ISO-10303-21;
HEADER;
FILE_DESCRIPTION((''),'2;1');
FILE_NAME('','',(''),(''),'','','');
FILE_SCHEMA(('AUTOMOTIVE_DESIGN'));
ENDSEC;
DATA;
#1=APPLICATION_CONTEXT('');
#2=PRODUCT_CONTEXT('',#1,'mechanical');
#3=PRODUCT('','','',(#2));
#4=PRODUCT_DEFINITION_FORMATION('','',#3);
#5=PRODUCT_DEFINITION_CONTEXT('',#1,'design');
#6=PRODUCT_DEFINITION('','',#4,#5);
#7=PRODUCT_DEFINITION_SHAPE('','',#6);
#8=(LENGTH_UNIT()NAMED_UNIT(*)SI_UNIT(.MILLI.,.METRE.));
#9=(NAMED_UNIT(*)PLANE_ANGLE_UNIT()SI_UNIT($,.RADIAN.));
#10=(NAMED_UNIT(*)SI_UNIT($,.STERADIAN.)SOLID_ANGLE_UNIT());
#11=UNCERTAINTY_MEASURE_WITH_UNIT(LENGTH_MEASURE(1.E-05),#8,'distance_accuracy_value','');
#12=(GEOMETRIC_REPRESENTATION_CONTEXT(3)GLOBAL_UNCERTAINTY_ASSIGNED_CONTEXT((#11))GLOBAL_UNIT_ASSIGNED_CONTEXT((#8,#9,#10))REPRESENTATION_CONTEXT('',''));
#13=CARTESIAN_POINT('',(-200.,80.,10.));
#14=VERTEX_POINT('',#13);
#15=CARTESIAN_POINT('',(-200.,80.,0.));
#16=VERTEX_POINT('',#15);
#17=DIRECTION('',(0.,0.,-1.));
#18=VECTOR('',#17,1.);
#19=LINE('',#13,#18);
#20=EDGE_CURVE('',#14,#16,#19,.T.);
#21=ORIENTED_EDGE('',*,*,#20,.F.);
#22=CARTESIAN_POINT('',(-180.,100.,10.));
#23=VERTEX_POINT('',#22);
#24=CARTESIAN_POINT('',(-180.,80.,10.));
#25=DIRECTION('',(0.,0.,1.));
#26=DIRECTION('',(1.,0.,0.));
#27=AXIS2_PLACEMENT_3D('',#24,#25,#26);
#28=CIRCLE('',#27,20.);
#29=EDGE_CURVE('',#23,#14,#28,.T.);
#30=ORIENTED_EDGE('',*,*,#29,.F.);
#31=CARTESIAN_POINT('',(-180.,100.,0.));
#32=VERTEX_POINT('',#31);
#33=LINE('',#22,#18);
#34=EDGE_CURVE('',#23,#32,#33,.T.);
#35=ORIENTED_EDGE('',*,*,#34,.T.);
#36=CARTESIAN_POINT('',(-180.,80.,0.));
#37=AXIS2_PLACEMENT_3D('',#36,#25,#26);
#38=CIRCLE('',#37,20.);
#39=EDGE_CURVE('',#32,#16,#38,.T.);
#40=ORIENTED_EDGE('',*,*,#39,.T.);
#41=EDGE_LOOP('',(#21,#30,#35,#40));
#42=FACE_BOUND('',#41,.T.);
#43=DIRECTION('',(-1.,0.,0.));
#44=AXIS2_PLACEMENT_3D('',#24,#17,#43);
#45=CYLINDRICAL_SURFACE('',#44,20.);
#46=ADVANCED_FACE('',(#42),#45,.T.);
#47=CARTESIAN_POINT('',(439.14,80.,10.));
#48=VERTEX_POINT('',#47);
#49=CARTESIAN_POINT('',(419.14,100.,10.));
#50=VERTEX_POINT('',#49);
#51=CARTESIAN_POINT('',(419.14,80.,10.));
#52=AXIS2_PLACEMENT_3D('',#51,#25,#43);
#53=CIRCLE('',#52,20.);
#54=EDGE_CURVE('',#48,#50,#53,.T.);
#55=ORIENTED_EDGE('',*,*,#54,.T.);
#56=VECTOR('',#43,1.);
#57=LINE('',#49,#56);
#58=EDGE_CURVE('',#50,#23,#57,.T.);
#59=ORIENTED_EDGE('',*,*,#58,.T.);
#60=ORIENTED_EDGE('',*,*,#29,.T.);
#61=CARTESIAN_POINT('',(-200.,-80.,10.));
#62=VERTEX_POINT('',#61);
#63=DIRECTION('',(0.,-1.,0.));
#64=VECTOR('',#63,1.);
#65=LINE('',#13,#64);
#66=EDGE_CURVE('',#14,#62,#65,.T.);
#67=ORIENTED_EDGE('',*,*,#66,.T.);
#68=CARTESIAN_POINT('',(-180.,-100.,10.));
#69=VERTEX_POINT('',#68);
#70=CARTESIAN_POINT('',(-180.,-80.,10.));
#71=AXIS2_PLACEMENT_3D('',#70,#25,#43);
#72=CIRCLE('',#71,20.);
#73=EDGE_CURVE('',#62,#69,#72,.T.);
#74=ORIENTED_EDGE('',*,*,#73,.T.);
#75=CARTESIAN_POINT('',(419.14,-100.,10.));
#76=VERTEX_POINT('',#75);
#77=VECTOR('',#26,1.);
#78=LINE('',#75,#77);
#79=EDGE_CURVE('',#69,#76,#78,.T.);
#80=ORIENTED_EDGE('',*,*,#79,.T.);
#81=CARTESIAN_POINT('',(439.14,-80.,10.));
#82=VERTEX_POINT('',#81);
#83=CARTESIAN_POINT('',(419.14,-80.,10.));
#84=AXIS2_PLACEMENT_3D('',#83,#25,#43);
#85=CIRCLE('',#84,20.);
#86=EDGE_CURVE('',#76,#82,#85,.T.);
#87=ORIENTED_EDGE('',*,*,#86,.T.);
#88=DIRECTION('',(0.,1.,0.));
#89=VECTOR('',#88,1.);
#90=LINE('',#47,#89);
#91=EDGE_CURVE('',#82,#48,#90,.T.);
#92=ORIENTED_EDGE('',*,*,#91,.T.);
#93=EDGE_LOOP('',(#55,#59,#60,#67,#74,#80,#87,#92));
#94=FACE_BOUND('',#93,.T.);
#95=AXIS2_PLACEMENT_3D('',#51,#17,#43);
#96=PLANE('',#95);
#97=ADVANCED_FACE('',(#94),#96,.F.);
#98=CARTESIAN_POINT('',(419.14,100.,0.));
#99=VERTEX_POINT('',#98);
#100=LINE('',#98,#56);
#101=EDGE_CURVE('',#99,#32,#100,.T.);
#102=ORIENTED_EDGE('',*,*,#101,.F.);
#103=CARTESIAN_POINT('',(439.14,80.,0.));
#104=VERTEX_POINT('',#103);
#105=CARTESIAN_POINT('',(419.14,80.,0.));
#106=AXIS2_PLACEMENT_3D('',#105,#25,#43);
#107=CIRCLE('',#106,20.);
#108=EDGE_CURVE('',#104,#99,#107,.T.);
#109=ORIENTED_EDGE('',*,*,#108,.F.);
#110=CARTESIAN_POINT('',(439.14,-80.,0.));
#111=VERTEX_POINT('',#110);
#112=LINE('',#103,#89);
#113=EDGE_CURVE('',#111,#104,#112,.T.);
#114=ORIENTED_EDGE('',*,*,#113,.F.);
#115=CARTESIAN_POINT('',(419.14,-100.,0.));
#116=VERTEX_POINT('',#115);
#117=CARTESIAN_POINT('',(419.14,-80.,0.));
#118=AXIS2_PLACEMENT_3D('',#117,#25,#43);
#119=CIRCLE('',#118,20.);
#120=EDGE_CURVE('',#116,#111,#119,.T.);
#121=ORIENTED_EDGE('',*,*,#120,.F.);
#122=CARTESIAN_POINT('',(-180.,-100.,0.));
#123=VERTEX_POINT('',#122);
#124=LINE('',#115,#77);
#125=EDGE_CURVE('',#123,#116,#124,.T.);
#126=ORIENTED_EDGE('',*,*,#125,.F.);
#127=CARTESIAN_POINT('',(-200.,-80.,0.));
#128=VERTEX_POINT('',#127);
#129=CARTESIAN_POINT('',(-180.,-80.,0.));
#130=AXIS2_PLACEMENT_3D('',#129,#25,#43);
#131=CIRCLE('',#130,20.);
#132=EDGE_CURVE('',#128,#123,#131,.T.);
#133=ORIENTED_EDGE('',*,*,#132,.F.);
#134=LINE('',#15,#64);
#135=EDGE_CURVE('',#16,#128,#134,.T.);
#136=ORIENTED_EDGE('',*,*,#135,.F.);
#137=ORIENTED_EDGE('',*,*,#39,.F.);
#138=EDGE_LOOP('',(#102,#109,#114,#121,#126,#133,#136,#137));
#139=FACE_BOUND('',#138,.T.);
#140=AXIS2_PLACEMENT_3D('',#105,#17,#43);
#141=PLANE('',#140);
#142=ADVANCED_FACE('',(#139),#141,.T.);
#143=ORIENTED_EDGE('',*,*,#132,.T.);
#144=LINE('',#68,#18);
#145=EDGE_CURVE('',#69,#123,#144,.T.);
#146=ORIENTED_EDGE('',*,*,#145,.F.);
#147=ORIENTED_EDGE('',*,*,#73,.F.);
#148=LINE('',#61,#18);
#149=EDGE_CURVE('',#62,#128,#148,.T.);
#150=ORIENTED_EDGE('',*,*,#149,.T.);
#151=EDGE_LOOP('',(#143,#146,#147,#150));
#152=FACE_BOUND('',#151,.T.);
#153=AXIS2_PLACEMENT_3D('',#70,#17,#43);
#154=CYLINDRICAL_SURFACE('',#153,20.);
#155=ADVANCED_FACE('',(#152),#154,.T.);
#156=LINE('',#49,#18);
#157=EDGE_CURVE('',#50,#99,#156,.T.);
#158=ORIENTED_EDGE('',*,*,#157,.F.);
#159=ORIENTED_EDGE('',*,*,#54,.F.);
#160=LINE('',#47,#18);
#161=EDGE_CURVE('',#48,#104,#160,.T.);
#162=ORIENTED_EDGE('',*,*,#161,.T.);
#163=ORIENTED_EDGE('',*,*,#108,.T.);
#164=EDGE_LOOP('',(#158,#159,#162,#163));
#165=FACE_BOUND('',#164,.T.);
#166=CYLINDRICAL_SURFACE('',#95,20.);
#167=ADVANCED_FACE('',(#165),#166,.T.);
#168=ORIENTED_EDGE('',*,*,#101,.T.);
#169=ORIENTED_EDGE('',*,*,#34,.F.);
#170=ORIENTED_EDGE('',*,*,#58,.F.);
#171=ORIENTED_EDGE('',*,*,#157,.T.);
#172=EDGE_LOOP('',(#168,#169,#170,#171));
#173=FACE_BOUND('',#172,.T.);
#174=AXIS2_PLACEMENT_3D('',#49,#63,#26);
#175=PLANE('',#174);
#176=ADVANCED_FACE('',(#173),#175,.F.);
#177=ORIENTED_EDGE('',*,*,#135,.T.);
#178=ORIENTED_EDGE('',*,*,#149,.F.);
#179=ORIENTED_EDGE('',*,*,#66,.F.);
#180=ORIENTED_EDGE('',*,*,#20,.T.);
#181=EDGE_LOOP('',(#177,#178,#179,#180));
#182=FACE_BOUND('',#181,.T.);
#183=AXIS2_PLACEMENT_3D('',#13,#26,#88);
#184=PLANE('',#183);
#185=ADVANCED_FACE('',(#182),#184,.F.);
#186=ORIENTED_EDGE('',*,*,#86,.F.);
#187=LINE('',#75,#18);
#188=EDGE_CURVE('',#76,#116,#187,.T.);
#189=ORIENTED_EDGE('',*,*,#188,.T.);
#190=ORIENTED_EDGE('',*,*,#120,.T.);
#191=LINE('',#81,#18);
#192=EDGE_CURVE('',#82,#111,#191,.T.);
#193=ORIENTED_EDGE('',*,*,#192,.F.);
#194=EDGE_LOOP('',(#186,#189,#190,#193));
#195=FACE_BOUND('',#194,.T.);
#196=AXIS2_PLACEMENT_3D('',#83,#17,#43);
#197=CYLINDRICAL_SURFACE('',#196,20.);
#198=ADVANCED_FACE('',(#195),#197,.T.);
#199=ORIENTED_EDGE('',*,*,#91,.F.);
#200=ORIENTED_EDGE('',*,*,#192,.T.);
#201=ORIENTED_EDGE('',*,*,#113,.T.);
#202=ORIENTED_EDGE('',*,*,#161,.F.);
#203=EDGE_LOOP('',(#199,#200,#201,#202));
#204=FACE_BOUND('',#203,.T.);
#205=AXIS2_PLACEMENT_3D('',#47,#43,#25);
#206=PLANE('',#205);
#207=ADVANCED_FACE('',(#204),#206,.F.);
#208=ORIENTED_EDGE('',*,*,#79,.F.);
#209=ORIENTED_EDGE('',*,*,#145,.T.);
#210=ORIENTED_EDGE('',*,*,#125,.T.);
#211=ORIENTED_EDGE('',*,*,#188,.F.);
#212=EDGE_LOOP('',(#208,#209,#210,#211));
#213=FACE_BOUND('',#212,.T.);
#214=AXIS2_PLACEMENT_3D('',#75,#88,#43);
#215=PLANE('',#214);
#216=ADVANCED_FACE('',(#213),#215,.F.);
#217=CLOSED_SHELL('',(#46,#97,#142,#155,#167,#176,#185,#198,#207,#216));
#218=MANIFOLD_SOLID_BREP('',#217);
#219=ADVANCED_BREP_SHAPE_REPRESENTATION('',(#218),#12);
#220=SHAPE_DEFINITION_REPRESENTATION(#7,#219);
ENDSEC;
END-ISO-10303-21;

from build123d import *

# Parameters (mm, degrees)
BOSS_EXTRUDE1_DEPTH = 10


with BuildPart() as part:
    # Sketch1 → Boss-Extrude1 (new body)
    with BuildSketch(Plane.XY):
        with BuildLine():
            Line((419.14, 100), (-180, 100))
            ThreePointArc((-180, 100), (-194.142135624, 94.142135624), (-200, 80))
            Line((-200, 80), (-200, -80))
            ThreePointArc((-200, -80), (-194.142135624, -94.142135624), (-180, -100))
            Line((-180, -100), (419.14, -100))
            ThreePointArc((419.14, -100), (433.282135624, -94.142135624), (439.14, -80))
            Line((439.14, -80), (439.14, 80))
            ThreePointArc((439.14, 80), (433.282135624, 94.142135624), (419.14, 100))
        make_face()
    extrude(amount=BOSS_EXTRUDE1_DEPTH)


solid = part.part
